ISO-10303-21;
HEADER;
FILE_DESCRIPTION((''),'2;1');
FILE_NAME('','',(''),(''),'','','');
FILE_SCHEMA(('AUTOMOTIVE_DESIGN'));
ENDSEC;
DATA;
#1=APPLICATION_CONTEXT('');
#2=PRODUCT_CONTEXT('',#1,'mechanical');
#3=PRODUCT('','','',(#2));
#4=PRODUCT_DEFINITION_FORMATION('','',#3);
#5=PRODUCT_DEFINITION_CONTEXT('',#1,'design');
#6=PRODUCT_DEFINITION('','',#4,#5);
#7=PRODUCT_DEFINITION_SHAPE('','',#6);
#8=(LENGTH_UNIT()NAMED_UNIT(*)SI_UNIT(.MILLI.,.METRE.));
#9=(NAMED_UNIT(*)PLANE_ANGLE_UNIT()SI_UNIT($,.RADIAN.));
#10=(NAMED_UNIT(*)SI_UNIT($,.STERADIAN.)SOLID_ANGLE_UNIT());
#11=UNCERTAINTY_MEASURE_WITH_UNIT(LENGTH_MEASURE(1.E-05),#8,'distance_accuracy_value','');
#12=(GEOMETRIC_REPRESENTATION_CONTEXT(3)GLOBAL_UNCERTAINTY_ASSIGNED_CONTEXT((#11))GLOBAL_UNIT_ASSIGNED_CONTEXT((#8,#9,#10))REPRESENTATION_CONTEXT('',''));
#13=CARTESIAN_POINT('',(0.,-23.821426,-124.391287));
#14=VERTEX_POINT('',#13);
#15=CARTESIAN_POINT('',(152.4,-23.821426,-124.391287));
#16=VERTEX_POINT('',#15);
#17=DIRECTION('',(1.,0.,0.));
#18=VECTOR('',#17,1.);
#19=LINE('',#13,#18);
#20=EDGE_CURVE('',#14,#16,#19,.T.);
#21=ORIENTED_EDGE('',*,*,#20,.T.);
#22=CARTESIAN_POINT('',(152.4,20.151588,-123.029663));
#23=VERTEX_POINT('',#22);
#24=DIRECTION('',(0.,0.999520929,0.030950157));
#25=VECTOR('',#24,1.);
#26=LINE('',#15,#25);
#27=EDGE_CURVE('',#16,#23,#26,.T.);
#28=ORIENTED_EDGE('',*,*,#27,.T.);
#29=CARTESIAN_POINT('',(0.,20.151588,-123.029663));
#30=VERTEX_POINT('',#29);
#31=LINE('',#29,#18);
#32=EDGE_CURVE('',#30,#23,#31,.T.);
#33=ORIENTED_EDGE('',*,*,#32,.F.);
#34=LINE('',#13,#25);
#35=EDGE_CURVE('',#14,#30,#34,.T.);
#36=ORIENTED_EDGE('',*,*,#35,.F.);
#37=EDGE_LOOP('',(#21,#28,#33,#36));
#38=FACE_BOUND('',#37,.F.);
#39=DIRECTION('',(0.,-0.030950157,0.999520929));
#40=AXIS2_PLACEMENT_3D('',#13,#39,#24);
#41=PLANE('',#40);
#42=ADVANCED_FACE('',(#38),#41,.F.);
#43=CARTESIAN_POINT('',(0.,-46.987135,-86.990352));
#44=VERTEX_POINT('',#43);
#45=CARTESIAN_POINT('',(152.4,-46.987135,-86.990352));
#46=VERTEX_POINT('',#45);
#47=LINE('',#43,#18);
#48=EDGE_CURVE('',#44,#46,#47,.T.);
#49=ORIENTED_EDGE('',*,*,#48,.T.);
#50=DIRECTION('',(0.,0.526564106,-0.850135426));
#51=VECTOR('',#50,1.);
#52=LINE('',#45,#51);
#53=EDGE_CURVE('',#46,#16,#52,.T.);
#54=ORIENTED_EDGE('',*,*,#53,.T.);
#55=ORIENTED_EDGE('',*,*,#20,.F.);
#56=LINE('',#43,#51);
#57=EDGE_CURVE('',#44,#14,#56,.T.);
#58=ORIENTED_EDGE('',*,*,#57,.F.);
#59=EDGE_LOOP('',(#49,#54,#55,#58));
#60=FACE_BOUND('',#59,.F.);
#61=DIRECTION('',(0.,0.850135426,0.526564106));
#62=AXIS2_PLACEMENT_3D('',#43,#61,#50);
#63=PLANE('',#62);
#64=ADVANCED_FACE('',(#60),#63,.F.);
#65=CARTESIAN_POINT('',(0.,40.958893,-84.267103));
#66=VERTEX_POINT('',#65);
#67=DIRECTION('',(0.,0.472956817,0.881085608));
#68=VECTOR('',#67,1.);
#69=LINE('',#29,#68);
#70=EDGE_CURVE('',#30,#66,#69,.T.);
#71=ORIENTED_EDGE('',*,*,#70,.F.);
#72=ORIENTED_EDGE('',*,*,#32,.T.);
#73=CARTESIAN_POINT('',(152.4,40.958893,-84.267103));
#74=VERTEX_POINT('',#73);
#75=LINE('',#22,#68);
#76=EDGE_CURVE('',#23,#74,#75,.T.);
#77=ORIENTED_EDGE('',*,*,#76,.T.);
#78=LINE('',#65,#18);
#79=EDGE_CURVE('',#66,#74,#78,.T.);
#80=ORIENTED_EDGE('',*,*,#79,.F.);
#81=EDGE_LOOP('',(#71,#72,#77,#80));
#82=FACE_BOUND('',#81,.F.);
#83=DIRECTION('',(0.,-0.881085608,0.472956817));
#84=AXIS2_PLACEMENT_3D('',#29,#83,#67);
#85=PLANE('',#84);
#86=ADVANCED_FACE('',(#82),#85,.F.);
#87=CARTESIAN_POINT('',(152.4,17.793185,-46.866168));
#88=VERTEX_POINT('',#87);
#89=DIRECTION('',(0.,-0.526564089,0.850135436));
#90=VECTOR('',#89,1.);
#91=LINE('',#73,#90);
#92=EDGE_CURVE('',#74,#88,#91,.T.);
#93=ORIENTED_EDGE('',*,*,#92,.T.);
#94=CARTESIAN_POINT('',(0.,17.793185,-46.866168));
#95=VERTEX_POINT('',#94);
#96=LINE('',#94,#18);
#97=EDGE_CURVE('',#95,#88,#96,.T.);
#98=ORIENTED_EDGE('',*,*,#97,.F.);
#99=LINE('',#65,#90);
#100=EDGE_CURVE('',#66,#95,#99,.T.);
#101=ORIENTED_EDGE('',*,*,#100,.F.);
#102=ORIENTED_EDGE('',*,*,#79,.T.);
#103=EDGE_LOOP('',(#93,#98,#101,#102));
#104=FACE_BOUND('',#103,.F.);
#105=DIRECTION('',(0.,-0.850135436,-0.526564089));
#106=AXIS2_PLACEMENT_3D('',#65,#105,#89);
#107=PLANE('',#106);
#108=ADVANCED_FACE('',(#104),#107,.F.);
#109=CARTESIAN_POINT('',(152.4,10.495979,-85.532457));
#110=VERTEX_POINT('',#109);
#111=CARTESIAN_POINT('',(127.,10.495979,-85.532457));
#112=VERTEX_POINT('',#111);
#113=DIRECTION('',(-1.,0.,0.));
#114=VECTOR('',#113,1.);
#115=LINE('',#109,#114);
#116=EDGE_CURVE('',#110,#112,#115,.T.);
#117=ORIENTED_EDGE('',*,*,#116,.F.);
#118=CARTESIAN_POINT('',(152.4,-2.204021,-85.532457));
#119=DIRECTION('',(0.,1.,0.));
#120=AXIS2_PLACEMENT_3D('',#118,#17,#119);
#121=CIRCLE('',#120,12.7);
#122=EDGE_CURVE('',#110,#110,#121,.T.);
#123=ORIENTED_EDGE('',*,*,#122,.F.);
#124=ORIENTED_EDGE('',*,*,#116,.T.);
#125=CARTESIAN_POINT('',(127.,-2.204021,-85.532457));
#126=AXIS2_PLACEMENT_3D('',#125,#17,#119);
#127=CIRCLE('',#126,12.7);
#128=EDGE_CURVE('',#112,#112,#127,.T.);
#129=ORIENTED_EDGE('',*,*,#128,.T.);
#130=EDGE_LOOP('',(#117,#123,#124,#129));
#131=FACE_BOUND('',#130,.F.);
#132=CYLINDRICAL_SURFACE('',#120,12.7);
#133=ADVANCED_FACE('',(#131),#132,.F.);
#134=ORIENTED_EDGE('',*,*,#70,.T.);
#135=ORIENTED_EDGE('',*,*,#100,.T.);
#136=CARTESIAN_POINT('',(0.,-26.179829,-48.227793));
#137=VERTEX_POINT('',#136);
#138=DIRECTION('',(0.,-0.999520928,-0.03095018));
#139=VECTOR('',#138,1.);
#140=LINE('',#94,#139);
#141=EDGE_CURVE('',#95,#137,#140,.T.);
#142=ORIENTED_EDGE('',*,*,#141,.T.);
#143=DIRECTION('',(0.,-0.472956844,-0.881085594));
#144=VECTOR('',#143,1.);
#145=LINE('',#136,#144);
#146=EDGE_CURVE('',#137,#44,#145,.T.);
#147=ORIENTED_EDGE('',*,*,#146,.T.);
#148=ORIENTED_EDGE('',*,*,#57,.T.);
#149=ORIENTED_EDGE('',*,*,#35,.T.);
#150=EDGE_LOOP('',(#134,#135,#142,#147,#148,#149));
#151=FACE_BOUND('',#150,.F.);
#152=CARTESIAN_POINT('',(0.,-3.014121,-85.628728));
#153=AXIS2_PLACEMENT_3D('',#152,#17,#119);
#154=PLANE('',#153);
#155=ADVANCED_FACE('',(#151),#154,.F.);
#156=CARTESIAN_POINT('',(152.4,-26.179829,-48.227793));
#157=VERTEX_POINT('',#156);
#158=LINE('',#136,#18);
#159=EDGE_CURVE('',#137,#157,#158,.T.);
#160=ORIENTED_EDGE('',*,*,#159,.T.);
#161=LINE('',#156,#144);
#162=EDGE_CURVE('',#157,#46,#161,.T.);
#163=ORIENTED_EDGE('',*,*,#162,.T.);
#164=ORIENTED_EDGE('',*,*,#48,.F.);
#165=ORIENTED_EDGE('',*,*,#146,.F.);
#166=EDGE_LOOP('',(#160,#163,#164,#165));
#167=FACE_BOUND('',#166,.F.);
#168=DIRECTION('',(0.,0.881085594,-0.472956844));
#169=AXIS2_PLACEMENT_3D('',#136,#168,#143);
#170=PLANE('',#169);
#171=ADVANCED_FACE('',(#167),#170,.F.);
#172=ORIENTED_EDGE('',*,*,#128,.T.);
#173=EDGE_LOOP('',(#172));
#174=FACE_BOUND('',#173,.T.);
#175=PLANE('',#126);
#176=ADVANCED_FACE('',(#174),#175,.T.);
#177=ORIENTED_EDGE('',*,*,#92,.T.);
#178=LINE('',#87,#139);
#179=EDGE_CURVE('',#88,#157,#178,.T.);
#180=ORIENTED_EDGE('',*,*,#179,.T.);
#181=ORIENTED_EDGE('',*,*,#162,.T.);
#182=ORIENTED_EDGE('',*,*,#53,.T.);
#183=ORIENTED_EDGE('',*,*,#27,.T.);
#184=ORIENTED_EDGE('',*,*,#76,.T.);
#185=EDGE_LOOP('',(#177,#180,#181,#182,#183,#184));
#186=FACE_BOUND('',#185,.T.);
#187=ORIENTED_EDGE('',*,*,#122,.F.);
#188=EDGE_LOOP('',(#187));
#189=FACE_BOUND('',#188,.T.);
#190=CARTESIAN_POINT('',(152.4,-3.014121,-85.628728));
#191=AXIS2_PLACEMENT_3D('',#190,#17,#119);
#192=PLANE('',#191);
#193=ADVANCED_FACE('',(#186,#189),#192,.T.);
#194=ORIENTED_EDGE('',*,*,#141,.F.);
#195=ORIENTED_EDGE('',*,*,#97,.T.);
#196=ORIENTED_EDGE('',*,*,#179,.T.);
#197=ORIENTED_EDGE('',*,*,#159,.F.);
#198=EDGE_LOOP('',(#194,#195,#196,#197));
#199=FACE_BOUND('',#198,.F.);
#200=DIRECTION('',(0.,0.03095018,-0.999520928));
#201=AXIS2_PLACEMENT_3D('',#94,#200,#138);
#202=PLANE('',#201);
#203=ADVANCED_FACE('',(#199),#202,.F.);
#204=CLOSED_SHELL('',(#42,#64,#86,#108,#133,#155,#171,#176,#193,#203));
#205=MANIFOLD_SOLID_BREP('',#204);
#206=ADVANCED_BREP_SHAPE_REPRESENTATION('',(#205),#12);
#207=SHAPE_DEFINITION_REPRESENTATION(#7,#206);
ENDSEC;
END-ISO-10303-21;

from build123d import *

# Parameters (mm, degrees)
F1_DEPTH = 152.4
F2_R     = 12.7
F3_DEPTH = 25.4


with BuildPart() as f1:
    # F0 (on Right) → F1 (new body)
    with BuildSketch(Plane.YZ):
        Polygon((20.151588, -123.029663), (40.958893, -84.267103), (17.793185, -46.866168), (-26.179829, -48.227793), (-46.987135, -86.990352), (-23.821426, -124.391287), align=None)
    extrude(amount=F1_DEPTH)

    # F2 (on face) → F3 (cut)
    with BuildSketch(Plane.YZ.offset(152.4)):
        with Locations((-2.204021, -85.532457)):
            Circle(F2_R)
    extrude(amount=-F3_DEPTH, mode=Mode.SUBTRACT)


solid = f1.part
